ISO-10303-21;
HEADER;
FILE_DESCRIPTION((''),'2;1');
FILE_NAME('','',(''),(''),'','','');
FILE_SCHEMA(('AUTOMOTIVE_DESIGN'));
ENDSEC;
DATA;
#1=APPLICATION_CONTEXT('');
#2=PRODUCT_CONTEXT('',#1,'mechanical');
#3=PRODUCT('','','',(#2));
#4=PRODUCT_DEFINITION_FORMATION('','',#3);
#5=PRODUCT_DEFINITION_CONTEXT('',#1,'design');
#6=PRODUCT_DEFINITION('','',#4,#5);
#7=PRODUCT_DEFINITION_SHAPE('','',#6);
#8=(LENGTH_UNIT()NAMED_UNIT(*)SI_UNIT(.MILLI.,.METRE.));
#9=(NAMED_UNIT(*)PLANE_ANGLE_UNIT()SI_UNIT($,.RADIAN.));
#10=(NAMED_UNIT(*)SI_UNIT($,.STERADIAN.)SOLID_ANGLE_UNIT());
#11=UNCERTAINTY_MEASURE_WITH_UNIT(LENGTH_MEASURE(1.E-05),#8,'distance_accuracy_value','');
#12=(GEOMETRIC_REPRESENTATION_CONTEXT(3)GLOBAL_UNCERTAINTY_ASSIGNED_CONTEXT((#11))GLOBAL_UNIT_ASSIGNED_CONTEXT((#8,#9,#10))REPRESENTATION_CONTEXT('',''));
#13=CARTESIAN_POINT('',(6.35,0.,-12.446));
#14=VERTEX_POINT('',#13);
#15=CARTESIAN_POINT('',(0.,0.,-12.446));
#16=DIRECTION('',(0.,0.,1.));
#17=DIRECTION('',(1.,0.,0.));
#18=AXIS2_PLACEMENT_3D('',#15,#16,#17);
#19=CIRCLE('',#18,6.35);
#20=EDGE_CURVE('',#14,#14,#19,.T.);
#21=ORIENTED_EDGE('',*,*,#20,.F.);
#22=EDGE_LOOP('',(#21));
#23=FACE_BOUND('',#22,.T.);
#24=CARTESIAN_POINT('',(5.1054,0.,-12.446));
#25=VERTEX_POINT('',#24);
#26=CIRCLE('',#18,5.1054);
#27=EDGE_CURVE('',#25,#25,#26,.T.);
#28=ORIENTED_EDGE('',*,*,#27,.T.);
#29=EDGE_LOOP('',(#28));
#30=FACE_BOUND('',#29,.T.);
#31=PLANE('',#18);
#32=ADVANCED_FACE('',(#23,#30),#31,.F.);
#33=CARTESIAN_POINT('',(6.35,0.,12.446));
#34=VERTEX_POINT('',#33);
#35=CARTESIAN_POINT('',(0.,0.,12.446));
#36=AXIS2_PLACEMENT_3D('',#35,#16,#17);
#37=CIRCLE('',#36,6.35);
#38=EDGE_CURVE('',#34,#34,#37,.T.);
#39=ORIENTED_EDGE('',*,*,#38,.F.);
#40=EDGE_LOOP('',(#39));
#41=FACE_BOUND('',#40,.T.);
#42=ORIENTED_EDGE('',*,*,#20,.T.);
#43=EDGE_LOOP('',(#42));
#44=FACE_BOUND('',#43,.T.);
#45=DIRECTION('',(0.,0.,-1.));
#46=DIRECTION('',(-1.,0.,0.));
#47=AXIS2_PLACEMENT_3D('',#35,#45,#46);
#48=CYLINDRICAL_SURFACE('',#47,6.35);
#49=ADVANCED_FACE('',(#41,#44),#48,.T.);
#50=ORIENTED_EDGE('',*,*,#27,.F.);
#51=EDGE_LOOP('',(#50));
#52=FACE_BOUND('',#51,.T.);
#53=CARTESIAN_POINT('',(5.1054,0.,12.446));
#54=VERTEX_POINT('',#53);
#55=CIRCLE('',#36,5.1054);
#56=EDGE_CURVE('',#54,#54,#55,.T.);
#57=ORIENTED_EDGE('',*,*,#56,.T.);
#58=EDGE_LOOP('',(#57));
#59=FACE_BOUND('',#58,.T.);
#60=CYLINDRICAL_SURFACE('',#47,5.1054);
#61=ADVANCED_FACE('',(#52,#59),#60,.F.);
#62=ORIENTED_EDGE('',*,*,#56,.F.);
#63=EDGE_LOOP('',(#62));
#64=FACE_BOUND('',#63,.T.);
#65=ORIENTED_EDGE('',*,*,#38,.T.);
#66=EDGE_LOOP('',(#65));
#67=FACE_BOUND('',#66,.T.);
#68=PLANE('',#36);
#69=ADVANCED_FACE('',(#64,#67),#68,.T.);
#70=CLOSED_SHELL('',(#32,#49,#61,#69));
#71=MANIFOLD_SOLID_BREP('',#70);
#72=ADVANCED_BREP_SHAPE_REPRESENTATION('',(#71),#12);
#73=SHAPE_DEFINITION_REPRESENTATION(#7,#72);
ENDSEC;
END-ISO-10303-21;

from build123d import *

# Parameters (mm, degrees)
SKETCH3_R                = 6.35
SKETCH3_R_2              = 5.1054
BOSS_EXTRUDE1_DEPTH      = 12.446
BOSS_EXTRUDE1_DEPTH_BACK = 12.446


with BuildPart() as part:
    # Sketch3 → Boss-Extrude1 (new body, two sides)
    with BuildSketch(Plane.XY) as boss_extrude1_sk:
        Circle(SKETCH3_R)
        Circle(SKETCH3_R_2, mode=Mode.SUBTRACT)
    extrude(amount=BOSS_EXTRUDE1_DEPTH)
    extrude(boss_extrude1_sk.sketch, amount=-BOSS_EXTRUDE1_DEPTH_BACK)


solid = part.part
